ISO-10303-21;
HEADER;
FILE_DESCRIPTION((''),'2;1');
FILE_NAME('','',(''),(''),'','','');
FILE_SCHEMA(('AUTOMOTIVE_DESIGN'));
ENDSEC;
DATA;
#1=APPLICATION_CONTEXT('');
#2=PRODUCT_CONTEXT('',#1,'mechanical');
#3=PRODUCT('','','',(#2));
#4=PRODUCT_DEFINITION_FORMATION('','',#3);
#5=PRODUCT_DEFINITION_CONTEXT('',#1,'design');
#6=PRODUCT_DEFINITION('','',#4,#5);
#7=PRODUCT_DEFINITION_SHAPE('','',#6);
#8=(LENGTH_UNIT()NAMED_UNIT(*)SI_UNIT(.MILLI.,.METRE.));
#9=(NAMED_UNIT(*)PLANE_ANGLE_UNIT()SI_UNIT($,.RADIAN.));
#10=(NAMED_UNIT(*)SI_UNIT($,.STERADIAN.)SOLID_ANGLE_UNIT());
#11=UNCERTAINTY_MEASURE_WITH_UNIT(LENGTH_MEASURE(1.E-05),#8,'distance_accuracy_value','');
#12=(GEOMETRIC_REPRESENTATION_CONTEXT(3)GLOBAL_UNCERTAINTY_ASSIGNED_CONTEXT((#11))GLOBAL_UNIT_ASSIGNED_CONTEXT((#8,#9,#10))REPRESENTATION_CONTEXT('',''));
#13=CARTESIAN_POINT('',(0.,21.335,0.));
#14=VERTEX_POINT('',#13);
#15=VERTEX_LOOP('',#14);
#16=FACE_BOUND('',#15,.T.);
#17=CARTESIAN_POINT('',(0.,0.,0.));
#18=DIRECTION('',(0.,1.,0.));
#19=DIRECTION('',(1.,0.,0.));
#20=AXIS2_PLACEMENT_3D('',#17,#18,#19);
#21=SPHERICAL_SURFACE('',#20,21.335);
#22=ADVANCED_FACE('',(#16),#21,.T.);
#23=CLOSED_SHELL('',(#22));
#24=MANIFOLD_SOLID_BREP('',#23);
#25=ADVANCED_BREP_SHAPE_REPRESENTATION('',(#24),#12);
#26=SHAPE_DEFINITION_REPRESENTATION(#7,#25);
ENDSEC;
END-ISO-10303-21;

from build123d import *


with BuildPart() as part:
    # Sketch → Revolution (revolve)
    with BuildSketch(Plane.XY):
        with BuildLine():
            ThreePointArc((0, -21.335), (21.335, 0), (0, 21.335))
            Line((0, -21.335), (0, 21.335))
        make_face()
    revolve(axis=Axis((0, 0, 0), (0, 1, 0)))


solid = part.part
